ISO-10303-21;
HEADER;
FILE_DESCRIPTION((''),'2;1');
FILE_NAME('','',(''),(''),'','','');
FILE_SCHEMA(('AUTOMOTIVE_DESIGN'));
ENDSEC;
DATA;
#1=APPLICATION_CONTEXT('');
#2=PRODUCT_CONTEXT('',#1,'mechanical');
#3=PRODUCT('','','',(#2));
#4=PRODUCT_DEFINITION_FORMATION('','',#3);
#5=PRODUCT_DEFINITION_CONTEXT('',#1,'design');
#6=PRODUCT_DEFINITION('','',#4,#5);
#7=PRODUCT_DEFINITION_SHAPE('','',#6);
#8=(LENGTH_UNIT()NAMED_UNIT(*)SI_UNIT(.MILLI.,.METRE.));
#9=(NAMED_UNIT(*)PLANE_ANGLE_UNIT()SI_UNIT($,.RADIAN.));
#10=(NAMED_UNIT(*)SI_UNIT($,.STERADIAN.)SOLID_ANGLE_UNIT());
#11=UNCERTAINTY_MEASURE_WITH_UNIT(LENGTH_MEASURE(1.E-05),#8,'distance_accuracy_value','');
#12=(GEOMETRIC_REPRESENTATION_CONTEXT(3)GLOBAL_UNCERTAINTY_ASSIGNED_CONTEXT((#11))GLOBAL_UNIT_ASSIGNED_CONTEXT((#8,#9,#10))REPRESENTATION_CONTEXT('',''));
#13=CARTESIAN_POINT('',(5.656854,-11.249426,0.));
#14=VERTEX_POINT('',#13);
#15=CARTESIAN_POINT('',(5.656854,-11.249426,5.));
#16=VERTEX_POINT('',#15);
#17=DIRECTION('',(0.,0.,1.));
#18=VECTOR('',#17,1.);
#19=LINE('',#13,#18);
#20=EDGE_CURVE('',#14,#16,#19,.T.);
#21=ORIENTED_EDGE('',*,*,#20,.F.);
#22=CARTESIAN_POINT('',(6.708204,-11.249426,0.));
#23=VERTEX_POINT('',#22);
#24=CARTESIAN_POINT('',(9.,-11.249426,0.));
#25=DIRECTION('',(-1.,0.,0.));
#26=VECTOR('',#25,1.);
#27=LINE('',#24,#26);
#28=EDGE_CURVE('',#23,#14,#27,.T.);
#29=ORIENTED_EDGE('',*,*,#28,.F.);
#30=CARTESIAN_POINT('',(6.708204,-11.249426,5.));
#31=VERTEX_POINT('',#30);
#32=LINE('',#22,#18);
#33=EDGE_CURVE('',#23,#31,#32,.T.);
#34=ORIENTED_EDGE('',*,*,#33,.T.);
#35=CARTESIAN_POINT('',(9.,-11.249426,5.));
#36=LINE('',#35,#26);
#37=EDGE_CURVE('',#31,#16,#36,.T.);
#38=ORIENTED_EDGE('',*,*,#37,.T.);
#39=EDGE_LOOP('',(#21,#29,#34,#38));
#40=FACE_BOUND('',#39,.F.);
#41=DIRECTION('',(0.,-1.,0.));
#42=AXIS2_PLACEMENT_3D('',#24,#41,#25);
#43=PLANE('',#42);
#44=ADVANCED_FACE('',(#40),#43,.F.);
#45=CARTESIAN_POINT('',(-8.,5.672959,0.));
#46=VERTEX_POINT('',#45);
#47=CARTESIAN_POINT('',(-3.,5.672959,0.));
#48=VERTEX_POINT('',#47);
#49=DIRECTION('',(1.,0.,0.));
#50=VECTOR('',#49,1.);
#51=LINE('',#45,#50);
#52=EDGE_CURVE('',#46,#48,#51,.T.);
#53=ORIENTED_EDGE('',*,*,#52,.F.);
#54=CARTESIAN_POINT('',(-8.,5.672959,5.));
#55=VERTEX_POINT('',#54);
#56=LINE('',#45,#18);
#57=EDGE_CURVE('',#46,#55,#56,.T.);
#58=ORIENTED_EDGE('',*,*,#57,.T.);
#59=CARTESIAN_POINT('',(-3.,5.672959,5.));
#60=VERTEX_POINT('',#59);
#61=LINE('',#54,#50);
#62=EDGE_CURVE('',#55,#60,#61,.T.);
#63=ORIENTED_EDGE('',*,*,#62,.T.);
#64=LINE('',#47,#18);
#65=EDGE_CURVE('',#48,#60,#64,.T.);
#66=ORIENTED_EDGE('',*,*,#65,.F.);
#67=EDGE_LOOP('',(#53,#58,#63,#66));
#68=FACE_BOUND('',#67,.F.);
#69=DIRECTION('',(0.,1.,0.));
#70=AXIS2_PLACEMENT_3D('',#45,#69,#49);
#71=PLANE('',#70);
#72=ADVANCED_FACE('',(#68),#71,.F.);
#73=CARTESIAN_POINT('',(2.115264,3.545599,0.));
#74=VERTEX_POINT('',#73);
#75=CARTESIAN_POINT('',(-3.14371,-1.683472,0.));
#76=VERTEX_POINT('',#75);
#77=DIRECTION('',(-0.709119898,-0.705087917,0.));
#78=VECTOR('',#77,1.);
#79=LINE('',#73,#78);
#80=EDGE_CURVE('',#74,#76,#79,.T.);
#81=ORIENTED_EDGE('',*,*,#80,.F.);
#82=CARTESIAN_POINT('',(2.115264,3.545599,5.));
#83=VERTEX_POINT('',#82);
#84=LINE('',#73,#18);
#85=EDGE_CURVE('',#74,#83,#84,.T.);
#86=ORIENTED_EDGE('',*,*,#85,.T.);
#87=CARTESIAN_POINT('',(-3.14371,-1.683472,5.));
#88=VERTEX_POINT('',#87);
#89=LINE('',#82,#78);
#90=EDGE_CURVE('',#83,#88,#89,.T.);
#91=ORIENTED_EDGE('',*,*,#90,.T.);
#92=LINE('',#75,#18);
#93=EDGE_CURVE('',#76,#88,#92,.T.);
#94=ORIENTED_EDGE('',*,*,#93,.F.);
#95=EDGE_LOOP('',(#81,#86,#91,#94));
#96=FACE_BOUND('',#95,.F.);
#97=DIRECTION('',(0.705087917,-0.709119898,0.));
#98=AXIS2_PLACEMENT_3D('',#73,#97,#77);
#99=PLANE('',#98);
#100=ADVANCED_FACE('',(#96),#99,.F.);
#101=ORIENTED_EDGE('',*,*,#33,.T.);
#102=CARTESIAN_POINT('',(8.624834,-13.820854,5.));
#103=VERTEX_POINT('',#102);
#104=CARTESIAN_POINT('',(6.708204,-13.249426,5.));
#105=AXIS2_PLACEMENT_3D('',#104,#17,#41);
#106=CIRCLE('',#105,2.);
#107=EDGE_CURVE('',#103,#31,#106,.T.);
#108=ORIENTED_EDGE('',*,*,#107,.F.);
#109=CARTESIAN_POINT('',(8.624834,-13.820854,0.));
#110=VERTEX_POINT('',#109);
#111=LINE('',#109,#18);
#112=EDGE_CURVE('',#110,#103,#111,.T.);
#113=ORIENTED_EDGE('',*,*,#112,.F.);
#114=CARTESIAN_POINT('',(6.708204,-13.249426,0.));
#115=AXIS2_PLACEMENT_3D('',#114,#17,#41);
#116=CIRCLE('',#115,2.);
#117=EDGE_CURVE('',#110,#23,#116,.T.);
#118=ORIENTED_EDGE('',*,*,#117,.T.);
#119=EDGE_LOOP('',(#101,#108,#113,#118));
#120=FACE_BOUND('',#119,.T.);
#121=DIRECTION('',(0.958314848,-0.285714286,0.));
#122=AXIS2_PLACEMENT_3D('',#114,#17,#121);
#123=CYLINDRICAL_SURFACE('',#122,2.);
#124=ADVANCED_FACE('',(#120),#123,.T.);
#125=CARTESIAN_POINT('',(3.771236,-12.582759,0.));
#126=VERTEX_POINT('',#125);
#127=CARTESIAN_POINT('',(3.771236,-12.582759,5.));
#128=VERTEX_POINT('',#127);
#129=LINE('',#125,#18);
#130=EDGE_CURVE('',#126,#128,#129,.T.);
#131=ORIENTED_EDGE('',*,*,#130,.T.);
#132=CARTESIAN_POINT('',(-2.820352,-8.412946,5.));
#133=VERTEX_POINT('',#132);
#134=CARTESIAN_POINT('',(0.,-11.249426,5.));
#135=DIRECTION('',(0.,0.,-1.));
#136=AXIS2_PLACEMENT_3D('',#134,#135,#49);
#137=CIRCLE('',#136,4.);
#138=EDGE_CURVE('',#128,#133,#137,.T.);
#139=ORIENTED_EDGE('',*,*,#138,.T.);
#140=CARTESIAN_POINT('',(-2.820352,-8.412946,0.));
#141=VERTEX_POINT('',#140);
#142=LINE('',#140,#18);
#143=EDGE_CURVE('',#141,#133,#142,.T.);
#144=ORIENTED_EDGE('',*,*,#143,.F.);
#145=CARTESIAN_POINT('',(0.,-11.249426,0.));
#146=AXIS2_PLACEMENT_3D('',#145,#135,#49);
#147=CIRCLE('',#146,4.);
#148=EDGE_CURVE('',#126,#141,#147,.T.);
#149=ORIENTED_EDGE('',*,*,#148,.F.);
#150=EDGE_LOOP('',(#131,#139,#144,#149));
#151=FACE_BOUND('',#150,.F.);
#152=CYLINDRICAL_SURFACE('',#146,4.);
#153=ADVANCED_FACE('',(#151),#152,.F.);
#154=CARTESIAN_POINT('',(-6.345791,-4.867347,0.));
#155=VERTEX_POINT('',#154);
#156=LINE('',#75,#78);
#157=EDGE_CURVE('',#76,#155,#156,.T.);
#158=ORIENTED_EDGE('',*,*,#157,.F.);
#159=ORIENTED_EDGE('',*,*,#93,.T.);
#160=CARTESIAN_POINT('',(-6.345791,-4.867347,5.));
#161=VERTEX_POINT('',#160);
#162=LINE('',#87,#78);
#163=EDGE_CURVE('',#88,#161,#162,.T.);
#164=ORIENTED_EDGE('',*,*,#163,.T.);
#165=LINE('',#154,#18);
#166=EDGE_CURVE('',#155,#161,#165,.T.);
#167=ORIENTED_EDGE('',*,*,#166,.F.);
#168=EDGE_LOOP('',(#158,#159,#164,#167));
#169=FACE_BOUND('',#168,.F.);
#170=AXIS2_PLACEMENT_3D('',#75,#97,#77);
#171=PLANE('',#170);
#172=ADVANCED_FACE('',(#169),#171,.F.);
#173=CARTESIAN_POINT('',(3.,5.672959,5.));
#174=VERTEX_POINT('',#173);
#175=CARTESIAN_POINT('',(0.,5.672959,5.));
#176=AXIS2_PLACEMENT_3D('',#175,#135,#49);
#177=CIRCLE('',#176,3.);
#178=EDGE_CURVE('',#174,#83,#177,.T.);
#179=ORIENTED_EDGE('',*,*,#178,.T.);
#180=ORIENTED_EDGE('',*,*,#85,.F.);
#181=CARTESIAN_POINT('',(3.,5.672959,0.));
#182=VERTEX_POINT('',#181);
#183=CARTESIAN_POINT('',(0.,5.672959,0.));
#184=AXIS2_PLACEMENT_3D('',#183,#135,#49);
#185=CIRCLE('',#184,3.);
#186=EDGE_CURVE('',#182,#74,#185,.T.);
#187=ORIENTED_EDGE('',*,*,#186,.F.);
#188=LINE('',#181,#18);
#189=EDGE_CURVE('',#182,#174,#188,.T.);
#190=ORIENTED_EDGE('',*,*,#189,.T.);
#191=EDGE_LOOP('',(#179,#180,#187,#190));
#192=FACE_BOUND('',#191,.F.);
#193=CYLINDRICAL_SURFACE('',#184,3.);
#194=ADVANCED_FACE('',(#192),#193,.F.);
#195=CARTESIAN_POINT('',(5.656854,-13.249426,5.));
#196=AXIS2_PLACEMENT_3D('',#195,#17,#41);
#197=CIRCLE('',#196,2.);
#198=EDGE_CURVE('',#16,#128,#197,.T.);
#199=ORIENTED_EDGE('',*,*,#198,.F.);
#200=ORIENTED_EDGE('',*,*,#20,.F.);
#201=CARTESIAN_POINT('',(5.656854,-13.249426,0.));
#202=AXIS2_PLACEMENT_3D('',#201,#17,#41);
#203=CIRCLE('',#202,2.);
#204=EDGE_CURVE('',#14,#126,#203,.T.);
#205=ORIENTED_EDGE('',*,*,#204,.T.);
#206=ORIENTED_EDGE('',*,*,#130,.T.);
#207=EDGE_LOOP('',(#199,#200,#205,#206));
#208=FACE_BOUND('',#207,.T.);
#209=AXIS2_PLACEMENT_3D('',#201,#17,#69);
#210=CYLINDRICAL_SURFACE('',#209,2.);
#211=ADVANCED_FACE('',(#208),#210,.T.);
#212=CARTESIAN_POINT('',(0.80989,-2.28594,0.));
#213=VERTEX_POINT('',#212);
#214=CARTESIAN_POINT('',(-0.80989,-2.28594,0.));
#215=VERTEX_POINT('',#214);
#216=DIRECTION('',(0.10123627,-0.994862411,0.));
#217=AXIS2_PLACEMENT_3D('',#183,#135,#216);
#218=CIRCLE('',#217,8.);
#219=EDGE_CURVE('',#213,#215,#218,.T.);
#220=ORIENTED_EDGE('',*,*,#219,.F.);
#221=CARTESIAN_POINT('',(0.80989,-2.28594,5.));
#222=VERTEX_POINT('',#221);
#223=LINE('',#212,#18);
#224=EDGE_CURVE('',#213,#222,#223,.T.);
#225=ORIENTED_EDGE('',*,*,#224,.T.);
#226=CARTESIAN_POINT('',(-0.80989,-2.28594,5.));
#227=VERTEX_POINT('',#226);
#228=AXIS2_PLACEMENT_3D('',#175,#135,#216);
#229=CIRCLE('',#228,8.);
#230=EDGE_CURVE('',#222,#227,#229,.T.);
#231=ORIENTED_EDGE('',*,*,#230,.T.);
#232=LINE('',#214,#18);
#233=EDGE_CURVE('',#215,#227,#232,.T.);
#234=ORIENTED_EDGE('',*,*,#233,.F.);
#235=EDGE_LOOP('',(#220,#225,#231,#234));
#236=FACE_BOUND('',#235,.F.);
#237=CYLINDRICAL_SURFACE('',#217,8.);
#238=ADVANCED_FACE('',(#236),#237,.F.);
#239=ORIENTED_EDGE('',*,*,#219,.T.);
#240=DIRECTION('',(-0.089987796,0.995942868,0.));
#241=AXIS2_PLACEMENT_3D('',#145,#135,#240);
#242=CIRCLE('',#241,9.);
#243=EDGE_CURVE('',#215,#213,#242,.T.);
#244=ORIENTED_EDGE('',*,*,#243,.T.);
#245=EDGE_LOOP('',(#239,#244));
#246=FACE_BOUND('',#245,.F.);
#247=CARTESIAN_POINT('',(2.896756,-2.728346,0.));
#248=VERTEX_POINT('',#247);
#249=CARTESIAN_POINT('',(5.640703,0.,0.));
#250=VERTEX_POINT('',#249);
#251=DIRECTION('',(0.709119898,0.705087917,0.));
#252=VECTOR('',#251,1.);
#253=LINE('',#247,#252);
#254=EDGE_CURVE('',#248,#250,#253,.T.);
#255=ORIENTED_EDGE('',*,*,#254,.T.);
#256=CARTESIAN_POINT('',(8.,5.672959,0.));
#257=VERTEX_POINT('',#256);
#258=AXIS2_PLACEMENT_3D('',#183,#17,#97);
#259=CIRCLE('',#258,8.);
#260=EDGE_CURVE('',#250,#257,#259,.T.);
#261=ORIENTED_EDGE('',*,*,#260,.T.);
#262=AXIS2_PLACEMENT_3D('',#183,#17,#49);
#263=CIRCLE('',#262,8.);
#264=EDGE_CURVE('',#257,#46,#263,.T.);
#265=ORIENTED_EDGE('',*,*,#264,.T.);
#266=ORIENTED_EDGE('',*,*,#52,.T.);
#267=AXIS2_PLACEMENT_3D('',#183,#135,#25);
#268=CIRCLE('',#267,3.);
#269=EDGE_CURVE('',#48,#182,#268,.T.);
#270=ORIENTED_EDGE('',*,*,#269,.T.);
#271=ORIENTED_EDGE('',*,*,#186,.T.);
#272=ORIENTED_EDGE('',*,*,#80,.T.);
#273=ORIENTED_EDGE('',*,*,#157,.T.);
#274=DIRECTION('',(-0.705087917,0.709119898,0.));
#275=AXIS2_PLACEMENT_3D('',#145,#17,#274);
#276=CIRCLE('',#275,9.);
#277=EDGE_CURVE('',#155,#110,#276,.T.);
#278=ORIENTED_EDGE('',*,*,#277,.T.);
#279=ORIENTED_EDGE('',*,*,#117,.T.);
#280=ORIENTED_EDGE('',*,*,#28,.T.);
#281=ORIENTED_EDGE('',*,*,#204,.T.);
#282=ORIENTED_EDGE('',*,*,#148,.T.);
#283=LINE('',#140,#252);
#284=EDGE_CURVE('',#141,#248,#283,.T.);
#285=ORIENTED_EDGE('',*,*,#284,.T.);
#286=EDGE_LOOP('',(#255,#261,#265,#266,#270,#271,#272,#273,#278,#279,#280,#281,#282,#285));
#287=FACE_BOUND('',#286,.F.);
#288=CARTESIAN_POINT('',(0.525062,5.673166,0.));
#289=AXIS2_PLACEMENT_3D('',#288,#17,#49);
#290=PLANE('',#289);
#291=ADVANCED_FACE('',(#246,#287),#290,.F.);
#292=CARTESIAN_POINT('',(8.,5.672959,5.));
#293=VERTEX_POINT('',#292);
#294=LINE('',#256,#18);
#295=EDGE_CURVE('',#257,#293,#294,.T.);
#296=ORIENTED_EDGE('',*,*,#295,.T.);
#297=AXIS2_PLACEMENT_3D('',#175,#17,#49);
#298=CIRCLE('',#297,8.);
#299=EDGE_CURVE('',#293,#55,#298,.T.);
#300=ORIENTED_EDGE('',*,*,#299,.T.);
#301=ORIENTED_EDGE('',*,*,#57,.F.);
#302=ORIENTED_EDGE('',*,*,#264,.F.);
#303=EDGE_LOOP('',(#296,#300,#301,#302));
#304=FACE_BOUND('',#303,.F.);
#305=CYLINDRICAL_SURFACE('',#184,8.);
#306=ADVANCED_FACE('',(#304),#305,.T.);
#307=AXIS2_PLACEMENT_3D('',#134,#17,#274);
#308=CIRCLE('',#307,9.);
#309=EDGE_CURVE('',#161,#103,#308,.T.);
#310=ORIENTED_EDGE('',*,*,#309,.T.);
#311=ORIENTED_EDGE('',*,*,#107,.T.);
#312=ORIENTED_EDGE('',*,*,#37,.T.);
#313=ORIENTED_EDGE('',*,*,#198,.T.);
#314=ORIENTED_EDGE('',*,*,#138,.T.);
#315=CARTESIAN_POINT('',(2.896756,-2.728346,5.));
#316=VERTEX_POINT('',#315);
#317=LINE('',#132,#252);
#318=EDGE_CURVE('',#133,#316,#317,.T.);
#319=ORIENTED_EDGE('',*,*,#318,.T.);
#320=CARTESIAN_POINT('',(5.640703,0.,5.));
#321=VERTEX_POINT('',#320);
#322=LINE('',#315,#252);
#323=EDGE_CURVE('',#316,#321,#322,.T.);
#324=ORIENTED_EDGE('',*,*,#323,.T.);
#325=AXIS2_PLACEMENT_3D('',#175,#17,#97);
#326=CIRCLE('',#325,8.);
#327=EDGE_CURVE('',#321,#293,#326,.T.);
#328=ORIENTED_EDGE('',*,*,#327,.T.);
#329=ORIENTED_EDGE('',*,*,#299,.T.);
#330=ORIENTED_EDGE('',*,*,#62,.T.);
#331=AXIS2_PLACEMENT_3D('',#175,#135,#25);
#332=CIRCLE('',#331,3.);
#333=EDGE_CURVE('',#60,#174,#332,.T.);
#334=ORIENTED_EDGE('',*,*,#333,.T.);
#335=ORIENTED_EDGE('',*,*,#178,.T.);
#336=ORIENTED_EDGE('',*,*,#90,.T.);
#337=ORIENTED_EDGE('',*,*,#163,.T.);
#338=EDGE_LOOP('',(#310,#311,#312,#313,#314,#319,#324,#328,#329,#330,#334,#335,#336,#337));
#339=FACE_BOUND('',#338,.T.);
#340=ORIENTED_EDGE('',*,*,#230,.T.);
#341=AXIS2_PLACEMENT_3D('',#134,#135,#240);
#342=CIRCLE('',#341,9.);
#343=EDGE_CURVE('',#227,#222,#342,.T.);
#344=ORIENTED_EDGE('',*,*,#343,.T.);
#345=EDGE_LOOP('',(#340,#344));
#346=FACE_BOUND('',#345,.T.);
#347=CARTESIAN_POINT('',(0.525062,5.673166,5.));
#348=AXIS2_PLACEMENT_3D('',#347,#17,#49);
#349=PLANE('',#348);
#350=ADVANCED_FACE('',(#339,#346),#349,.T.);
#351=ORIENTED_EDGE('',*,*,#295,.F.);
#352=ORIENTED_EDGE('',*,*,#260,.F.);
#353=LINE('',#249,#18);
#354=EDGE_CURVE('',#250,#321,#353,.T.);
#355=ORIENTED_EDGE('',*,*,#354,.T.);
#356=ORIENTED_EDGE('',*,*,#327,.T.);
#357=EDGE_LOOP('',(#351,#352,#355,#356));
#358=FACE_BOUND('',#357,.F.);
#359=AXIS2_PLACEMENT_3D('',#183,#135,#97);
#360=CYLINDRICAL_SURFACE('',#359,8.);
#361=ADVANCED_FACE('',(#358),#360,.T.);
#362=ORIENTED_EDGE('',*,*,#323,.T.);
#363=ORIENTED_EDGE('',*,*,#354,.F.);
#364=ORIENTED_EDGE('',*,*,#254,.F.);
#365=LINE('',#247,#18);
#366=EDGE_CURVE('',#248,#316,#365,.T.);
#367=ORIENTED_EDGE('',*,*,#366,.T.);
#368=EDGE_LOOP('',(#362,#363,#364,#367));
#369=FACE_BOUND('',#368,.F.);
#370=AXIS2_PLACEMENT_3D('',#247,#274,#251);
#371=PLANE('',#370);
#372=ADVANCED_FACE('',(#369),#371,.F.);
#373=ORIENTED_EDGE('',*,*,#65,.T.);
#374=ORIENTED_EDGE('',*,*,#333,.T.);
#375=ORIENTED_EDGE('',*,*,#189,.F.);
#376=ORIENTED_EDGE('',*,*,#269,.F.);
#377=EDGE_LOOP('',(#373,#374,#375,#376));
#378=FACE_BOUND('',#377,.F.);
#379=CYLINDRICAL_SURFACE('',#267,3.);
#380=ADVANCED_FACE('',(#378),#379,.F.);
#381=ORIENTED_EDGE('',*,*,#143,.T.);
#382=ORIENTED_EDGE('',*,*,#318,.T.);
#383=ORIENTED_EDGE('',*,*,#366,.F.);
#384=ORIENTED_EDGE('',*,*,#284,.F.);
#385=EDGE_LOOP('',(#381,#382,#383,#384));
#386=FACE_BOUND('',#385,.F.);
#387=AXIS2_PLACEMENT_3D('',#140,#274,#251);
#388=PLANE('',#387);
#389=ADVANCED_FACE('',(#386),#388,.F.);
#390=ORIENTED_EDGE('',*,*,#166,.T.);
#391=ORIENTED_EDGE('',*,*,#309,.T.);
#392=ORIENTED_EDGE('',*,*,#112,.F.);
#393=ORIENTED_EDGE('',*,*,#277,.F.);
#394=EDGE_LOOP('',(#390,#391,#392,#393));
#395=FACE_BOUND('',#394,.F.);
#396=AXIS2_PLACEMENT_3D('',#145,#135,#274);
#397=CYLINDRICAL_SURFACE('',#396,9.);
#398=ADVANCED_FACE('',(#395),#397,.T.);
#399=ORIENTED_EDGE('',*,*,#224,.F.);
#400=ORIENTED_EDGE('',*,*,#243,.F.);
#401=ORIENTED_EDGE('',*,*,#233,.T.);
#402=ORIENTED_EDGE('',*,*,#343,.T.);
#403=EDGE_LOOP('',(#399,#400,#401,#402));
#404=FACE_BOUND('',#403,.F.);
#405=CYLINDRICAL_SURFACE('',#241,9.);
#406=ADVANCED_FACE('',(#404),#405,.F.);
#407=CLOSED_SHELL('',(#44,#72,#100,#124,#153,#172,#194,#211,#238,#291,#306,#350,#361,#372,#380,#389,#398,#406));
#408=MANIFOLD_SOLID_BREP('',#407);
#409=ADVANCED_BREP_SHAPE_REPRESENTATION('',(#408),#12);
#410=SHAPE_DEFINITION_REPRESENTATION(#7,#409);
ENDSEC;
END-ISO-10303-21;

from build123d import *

# Parameters (mm, degrees)
F1_DEPTH = 5
F2_R     = 2


with BuildPart() as f1:
    # F0 (on Top) → F1 (new body)
    with BuildSketch(Plane.XY):
        with BuildLine():
            ThreePointArc((-3, 5.6729591845), (0, 8.6729591845), (3, 5.6729591845))
            ThreePointArc((3, 5.6729591845), (2.7699992103, 4.5209590217), (2.1152637499, 3.5455994903))
            Line((2.1152637499, 3.5455994903), (-3.1437101653, -1.6834724502))
            ThreePointArc((-3.1437101653, -1.6834724502), (-1.9996201414, -2.073105577), (-0.8098901638, -2.2859401064))
            ThreePointArc((-0.8098901638, -2.2859401064), (0, -2.2494259195), (0.8098901638, -2.2859401064))
            ThreePointArc((0.8098901638, -2.2859401064), (3.4218298698, -1.5582979913), (5.640703333, 0))
            ThreePointArc((5.640703333, 0), (7.3866645607, 2.6009587503), (8, 5.6729591845))
            ThreePointArc((8, 5.6729591845), (0, 13.6729591845), (-8, 5.6729591845))
            Line((-8, 5.6729591845), (-3, 5.6729591845))
        make_face()
        with BuildLine():
            ThreePointArc((-0.8098901638, -2.2859401064), (-1.9996201414, -2.073105577), (-3.1437101653, -1.6834724502))
            Line((-3.1437101653, -1.6834724502), (-6.3457912496, -4.867346837))
            ThreePointArc((-6.3457912496, -4.867346837), (-3.8035324765, -3.0926409708), (-0.8098901638, -2.2859401064))
        make_face()
        with BuildLine():
            Line((2.8967557262, -2.7283458082), (5.640703333, 0))
            ThreePointArc((5.640703333, 0), (3.4218298698, -1.5582979913), (0.8098901638, -2.2859401064))
            ThreePointArc((0.8098901638, -2.2859401064), (1.8664770664, -2.4450938404), (2.8967557262, -2.7283458082))
        make_face()
        with BuildLine():
            ThreePointArc((0.8098901638, -2.2859401064), (0, -2.3270408155), (-0.8098901638, -2.2859401064))
            ThreePointArc((-0.8098901638, -2.2859401064), (-3.8035324765, -3.0926409708), (-6.3457912496, -4.867346837))
            ThreePointArc((-6.3457912496, -4.867346837), (-3.4560004885, -19.5594235503), (9, -11.2494259195))
            Line((9, -11.2494259195), (4, -11.2494259195))
            ThreePointArc((4, -11.2494259195), (-1.5360002171, -14.9427581999), (-2.8203516665, -8.4129463273))
            Line((-2.8203516665, -8.4129463273), (2.8967557262, -2.7283458082))
            ThreePointArc((2.8967557262, -2.7283458082), (1.8664770664, -2.4450938404), (0.8098901638, -2.2859401064))
        make_face()
    extrude(amount=F1_DEPTH)

    # F2
    f2_edges = [f1.edges().sort_by_distance(p)[0] for p in [
        (4, -11.249426, 2.5),
        (9, -11.249426, 2.5),
    ]]
    fillet(f2_edges, radius=F2_R)


solid = f1.part
